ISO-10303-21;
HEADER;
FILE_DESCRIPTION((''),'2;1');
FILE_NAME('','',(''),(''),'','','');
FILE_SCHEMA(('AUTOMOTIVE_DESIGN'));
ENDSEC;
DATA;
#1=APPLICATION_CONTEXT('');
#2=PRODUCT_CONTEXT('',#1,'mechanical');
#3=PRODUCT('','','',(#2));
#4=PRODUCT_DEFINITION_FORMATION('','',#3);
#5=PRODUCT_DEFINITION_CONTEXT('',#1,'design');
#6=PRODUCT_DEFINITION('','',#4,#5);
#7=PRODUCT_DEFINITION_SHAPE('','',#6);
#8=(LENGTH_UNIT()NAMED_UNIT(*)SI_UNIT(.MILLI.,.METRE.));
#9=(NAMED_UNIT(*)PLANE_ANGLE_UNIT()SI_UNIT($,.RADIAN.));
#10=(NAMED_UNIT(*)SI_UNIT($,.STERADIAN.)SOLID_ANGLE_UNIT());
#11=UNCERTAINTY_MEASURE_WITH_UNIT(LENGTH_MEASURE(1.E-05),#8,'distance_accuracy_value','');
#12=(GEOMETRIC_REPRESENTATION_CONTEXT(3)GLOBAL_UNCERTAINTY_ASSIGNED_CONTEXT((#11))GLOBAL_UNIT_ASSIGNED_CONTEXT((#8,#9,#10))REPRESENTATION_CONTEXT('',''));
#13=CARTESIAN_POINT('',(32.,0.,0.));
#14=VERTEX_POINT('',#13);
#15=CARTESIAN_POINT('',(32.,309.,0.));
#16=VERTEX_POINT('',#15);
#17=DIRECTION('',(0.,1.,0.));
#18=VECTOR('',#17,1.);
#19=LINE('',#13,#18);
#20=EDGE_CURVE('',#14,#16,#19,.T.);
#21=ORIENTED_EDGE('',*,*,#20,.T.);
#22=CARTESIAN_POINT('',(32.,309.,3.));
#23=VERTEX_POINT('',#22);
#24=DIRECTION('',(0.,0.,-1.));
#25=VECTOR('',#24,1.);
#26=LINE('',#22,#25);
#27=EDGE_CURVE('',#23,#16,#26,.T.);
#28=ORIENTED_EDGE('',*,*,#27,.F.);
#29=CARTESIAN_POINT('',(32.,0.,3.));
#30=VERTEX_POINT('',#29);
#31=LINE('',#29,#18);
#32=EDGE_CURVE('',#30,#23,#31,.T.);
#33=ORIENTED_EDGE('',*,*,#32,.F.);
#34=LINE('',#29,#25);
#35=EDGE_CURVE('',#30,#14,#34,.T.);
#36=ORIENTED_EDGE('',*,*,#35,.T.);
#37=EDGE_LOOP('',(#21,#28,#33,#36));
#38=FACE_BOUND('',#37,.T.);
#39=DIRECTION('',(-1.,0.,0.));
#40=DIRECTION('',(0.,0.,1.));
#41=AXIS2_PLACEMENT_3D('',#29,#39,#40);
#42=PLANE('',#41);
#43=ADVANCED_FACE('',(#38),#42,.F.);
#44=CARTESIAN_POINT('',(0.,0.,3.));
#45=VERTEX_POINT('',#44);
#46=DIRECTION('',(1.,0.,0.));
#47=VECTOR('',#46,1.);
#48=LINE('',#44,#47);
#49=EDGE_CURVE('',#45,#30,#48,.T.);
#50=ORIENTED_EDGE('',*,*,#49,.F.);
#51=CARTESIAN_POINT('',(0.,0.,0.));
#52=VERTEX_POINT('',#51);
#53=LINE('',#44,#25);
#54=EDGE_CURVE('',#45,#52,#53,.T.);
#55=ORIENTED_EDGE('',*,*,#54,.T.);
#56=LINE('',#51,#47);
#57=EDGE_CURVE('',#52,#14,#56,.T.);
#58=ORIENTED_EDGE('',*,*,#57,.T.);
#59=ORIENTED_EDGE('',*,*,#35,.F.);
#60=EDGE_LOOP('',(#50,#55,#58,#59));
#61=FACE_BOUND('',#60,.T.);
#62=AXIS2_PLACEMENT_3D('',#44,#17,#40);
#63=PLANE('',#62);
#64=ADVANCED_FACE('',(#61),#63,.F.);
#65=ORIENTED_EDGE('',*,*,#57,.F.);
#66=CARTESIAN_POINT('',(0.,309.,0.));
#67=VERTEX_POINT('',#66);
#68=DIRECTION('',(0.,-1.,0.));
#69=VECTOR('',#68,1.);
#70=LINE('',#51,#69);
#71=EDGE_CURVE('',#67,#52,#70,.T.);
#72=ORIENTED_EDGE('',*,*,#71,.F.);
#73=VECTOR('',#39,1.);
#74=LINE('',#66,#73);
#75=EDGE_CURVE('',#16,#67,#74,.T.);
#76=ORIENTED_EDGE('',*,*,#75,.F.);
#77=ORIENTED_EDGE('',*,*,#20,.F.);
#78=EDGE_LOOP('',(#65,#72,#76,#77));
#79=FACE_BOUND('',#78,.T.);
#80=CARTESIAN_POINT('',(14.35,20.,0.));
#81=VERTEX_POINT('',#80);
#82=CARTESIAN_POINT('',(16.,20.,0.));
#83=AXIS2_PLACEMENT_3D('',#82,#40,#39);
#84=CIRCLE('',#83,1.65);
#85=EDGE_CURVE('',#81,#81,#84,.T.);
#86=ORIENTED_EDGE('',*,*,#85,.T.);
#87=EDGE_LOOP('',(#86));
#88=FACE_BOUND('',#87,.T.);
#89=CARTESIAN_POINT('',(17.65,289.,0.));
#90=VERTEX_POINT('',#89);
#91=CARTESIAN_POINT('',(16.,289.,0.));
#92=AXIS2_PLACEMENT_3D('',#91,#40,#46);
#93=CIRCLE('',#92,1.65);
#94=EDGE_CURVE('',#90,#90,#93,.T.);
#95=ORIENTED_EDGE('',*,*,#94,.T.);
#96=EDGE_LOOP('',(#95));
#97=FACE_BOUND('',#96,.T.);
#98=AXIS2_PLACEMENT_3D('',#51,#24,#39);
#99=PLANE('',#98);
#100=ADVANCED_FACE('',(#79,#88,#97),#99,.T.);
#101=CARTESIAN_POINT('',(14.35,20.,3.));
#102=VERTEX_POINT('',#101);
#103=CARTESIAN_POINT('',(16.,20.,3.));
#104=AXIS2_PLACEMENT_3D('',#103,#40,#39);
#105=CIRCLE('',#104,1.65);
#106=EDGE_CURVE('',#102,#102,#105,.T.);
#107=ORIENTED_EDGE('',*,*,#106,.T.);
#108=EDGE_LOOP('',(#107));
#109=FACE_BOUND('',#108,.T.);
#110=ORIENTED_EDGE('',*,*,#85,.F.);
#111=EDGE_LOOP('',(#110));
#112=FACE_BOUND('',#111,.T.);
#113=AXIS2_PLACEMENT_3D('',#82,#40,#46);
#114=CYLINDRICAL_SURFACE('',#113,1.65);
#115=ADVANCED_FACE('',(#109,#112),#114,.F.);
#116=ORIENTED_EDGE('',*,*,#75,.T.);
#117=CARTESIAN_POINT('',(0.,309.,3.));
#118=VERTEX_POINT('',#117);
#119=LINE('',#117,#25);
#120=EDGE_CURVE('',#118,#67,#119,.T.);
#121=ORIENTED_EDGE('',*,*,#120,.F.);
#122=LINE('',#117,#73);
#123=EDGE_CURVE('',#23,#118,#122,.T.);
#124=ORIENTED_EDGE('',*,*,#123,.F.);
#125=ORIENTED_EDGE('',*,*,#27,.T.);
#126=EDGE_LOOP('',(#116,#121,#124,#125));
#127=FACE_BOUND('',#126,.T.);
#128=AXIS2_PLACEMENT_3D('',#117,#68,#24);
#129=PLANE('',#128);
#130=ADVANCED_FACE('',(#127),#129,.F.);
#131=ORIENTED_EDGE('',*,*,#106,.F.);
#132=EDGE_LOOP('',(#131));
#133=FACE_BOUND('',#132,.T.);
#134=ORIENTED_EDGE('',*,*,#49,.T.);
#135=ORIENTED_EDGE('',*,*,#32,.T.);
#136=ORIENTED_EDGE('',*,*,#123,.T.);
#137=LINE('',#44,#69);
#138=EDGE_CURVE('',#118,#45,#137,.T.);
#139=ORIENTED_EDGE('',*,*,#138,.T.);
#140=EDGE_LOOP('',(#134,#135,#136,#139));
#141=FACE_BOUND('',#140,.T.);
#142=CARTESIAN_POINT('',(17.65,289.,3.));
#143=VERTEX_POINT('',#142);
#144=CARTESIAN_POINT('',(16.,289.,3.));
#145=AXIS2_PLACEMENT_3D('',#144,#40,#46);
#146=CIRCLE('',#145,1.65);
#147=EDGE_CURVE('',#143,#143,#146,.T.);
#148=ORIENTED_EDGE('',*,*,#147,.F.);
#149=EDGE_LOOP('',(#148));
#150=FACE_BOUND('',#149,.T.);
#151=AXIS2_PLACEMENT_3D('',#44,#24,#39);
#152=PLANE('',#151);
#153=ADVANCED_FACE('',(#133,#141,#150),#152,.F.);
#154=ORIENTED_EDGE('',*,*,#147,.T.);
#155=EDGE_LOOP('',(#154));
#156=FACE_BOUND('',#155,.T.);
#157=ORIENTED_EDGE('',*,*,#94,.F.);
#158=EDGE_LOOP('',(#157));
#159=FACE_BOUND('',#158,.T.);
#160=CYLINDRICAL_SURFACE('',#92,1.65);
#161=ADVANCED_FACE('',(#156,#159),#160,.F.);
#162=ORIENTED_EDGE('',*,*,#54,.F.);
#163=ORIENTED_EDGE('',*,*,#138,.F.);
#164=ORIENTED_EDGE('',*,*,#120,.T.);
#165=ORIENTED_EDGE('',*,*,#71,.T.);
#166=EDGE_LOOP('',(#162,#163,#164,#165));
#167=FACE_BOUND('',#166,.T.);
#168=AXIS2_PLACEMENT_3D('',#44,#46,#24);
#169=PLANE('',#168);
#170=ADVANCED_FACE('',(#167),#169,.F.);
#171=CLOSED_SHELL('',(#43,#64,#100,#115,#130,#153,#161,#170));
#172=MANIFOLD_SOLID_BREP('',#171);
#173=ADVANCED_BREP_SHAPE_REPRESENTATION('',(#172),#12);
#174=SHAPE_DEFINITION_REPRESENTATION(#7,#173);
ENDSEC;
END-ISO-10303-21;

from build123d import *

# Parameters (mm, degrees)
ESQUISSE1_W             = 32
ESQUISSE1_H             = 309
BOSS_EXTRU_1_DEPTH      = 3
ESQUISSE2_R             = 1.65
ENL_V_MAT_EXTRU_1_DEPTH = 4


with BuildPart() as part:
    # Esquisse1 → Boss.-Extru.1 (new body)
    with BuildSketch(Plane.XY):
        with Locations((16, 154.5)):
            Rectangle(ESQUISSE1_W, ESQUISSE1_H)
    extrude(amount=BOSS_EXTRU_1_DEPTH)

    # Esquisse2 → Enlèv. mat.-Extru.1 (cut, through all)
    with BuildSketch(Plane.XY.offset(3)):
        with Locations((16, 289)):
            Circle(ESQUISSE2_R)
        with Locations((16, 20)):
            Circle(ESQUISSE2_R)
    extrude(amount=-ENL_V_MAT_EXTRU_1_DEPTH, mode=Mode.SUBTRACT)


solid = part.part
